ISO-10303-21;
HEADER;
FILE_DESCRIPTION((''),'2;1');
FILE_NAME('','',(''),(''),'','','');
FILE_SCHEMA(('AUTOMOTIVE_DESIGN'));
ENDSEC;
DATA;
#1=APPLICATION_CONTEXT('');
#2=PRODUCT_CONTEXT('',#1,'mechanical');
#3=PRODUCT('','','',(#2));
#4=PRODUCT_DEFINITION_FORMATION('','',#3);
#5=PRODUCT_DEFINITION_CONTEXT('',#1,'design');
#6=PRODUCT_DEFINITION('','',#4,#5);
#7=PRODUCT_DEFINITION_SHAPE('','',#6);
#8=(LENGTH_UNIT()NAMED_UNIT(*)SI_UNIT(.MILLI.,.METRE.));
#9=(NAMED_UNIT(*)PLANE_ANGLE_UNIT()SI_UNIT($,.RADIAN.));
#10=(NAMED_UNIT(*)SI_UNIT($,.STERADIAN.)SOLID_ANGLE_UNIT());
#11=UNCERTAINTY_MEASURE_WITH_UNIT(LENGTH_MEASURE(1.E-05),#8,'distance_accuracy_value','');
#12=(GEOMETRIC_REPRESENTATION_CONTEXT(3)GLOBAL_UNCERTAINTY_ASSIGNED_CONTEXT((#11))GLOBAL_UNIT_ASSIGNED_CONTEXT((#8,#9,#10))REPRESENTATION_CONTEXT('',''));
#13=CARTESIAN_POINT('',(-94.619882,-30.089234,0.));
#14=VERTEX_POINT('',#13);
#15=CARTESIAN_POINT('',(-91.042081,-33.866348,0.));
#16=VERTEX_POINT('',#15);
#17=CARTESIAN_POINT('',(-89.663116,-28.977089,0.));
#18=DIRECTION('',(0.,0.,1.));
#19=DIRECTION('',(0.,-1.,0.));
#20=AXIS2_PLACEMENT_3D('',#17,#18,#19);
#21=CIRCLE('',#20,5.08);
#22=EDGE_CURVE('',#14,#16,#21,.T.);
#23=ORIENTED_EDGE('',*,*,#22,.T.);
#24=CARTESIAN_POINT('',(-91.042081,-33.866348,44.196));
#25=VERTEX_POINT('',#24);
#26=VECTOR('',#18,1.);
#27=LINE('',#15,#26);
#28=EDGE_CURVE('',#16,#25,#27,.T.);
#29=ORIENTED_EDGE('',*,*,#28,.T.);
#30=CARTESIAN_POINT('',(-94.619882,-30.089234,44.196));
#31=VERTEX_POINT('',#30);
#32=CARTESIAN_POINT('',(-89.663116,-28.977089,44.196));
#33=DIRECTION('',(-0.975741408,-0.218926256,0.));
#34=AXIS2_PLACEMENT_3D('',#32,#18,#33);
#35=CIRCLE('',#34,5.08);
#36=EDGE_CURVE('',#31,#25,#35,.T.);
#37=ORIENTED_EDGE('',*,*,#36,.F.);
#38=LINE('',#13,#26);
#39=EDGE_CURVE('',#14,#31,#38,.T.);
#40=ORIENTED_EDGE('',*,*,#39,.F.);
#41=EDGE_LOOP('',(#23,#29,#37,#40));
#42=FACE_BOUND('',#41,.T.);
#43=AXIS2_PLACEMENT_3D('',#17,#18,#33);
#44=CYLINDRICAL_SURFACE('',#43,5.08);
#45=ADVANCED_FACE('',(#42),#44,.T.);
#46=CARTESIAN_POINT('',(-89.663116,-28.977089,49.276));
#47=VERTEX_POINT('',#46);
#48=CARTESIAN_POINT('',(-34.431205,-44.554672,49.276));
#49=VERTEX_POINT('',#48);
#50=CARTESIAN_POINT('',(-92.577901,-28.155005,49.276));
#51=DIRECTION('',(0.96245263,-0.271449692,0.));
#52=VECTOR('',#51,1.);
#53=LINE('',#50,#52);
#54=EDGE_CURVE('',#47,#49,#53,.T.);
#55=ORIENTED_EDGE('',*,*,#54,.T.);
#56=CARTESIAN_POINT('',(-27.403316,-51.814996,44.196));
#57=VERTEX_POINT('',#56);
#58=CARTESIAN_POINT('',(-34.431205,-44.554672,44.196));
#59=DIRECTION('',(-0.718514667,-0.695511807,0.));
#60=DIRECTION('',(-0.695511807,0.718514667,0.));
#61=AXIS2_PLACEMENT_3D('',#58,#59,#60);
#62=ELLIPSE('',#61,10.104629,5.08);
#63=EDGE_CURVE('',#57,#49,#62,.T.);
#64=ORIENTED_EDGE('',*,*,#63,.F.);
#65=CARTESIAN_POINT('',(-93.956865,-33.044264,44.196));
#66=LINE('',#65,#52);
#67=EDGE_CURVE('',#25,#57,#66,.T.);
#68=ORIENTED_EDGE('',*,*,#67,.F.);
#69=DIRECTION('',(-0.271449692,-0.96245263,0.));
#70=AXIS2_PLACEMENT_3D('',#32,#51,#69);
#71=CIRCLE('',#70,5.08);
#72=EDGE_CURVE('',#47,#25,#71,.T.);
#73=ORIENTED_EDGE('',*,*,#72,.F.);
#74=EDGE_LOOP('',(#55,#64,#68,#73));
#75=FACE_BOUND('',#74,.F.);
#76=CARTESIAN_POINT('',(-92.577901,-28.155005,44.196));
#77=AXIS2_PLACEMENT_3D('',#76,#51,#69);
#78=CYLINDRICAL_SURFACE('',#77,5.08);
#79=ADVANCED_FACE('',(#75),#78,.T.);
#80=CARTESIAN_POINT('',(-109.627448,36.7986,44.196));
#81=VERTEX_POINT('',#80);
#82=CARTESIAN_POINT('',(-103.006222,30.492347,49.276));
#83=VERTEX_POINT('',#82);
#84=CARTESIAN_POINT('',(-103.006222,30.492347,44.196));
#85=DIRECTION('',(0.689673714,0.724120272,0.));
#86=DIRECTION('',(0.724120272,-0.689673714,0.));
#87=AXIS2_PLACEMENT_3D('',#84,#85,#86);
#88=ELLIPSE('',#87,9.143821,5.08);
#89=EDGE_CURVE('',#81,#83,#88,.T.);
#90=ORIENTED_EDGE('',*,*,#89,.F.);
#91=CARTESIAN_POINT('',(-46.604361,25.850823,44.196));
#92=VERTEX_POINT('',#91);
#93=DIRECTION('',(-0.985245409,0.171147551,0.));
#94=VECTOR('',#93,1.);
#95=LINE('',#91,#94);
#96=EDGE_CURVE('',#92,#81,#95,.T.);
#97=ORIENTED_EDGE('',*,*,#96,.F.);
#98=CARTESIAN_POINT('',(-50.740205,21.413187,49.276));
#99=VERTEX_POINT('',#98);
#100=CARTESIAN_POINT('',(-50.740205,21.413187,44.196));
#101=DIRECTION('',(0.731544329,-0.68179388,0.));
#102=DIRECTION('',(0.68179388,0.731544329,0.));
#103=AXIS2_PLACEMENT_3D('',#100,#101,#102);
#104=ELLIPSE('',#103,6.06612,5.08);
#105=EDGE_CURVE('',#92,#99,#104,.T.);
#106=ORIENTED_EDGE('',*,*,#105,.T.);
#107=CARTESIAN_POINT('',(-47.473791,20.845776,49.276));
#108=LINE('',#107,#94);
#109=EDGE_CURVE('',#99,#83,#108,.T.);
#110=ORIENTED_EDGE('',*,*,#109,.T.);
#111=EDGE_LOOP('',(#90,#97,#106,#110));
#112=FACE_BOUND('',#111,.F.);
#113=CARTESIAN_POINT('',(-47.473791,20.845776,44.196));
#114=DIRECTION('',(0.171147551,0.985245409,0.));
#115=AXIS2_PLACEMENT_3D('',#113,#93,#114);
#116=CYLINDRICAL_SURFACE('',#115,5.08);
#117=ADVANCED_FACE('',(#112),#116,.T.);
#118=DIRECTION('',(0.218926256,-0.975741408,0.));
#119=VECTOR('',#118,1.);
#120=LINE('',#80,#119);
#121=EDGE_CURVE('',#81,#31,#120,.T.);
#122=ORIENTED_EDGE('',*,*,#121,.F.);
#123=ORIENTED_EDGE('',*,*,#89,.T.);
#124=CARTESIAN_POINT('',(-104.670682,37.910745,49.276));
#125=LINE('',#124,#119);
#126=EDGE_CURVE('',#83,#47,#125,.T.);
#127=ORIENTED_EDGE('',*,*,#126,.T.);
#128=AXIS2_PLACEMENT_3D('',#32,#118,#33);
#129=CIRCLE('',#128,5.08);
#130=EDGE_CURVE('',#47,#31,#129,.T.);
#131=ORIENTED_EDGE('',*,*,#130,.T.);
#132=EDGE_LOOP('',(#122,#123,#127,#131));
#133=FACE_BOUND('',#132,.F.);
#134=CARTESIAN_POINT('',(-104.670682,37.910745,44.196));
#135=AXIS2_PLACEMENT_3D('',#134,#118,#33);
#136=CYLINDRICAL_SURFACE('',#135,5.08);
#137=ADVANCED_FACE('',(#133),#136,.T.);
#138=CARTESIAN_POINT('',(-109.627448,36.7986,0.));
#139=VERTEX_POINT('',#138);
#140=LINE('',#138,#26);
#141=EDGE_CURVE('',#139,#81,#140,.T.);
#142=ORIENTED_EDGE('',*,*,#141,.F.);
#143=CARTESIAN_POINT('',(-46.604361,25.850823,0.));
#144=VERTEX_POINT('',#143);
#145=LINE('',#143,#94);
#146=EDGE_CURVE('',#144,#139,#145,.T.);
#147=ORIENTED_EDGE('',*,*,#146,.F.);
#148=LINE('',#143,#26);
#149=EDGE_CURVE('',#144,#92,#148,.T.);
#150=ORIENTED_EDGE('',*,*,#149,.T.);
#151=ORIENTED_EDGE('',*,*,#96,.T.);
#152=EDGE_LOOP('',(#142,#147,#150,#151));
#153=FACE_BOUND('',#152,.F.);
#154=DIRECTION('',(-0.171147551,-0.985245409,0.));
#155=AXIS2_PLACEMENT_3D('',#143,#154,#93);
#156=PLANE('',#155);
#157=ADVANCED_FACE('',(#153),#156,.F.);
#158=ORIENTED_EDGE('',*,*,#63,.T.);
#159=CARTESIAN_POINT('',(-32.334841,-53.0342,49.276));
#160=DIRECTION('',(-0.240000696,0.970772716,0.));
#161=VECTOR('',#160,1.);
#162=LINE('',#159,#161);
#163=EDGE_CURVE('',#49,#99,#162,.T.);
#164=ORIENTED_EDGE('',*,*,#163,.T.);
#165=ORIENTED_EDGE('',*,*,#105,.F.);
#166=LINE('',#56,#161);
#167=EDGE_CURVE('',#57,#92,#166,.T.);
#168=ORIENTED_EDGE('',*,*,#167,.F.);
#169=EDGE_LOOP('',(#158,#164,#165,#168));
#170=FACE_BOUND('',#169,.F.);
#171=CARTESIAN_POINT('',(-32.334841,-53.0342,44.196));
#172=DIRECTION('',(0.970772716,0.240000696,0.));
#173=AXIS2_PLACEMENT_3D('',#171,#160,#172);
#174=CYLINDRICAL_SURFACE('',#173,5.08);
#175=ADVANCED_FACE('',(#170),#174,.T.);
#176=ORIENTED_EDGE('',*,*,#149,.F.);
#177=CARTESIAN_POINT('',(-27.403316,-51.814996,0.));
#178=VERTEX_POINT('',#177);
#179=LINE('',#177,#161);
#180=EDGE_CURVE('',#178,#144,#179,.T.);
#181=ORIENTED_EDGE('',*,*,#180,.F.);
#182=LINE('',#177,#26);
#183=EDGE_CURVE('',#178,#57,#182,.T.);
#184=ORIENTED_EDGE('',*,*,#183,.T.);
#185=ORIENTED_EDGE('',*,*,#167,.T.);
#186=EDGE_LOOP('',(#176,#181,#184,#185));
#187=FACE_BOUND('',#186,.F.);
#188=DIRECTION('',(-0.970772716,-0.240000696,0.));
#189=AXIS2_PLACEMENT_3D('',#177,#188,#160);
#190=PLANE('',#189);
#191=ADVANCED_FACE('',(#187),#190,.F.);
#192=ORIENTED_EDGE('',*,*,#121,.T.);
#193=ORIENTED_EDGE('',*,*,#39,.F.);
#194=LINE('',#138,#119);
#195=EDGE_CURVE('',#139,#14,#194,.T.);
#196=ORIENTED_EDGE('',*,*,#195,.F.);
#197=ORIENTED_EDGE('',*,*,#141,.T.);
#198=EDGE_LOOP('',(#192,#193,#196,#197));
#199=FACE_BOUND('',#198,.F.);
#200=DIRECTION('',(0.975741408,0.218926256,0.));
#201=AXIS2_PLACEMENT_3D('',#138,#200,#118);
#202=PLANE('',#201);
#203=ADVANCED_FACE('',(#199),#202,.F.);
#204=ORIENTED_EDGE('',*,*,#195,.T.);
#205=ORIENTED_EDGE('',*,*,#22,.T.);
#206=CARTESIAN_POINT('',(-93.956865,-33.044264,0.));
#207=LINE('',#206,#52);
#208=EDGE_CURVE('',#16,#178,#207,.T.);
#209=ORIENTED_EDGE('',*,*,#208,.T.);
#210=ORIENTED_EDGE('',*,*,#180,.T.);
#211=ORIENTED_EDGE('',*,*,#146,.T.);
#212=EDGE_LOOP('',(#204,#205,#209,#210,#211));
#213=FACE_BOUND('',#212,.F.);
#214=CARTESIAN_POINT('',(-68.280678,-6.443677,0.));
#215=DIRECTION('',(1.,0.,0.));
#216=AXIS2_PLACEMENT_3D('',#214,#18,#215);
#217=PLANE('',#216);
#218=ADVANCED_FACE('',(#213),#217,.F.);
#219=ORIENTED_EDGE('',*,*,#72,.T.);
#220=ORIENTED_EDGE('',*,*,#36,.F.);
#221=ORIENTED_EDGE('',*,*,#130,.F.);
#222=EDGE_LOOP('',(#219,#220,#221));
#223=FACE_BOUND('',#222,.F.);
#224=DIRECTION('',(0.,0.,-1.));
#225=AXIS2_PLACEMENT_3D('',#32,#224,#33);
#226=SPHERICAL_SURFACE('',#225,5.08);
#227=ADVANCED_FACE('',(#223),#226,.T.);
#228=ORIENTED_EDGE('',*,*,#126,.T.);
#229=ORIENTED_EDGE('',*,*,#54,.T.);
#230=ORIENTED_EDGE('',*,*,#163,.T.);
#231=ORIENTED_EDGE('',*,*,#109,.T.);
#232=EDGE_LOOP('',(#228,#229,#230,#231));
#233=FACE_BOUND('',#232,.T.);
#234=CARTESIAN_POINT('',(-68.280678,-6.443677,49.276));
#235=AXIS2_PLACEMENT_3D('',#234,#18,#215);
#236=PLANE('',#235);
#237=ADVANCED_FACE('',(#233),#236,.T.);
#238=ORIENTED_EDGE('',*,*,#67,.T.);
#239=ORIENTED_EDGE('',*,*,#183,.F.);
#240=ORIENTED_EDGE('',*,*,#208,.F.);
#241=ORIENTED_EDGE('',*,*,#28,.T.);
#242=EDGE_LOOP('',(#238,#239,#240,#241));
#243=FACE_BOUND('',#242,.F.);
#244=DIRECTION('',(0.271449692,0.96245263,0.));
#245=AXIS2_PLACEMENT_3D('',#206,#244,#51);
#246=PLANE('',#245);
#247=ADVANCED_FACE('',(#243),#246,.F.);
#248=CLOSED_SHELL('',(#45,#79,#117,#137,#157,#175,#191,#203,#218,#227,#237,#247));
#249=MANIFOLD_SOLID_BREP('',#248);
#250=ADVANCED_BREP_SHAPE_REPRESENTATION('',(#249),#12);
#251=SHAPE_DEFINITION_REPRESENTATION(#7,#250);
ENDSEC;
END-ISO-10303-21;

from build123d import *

# Parameters (mm, degrees)
F1_DEPTH = 49.276
F2_R     = 5.08


with BuildPart() as f1:
    # F0 (on Top) → F1 (new body)
    with BuildSketch(Plane.XY):
        Polygon((-46.604361, 25.850823), (-109.627448, 36.7986), (-93.956865, -33.044264), (-27.403316, -51.814996), align=None)
    extrude(amount=F1_DEPTH)

    # F2
    f2_edges = [f1.edges().sort_by_distance(p)[0] for p in [
        (-101.792157, 1.877168, 49.276),
        (-37.003838, -12.982086, 49.276),
        (-60.68009, -42.42963, 49.276),
        (-78.115905, 31.324712, 49.276),
        (-93.956865, -33.044264, 24.638),
    ]]
    fillet(f2_edges, radius=F2_R)


solid = f1.part
